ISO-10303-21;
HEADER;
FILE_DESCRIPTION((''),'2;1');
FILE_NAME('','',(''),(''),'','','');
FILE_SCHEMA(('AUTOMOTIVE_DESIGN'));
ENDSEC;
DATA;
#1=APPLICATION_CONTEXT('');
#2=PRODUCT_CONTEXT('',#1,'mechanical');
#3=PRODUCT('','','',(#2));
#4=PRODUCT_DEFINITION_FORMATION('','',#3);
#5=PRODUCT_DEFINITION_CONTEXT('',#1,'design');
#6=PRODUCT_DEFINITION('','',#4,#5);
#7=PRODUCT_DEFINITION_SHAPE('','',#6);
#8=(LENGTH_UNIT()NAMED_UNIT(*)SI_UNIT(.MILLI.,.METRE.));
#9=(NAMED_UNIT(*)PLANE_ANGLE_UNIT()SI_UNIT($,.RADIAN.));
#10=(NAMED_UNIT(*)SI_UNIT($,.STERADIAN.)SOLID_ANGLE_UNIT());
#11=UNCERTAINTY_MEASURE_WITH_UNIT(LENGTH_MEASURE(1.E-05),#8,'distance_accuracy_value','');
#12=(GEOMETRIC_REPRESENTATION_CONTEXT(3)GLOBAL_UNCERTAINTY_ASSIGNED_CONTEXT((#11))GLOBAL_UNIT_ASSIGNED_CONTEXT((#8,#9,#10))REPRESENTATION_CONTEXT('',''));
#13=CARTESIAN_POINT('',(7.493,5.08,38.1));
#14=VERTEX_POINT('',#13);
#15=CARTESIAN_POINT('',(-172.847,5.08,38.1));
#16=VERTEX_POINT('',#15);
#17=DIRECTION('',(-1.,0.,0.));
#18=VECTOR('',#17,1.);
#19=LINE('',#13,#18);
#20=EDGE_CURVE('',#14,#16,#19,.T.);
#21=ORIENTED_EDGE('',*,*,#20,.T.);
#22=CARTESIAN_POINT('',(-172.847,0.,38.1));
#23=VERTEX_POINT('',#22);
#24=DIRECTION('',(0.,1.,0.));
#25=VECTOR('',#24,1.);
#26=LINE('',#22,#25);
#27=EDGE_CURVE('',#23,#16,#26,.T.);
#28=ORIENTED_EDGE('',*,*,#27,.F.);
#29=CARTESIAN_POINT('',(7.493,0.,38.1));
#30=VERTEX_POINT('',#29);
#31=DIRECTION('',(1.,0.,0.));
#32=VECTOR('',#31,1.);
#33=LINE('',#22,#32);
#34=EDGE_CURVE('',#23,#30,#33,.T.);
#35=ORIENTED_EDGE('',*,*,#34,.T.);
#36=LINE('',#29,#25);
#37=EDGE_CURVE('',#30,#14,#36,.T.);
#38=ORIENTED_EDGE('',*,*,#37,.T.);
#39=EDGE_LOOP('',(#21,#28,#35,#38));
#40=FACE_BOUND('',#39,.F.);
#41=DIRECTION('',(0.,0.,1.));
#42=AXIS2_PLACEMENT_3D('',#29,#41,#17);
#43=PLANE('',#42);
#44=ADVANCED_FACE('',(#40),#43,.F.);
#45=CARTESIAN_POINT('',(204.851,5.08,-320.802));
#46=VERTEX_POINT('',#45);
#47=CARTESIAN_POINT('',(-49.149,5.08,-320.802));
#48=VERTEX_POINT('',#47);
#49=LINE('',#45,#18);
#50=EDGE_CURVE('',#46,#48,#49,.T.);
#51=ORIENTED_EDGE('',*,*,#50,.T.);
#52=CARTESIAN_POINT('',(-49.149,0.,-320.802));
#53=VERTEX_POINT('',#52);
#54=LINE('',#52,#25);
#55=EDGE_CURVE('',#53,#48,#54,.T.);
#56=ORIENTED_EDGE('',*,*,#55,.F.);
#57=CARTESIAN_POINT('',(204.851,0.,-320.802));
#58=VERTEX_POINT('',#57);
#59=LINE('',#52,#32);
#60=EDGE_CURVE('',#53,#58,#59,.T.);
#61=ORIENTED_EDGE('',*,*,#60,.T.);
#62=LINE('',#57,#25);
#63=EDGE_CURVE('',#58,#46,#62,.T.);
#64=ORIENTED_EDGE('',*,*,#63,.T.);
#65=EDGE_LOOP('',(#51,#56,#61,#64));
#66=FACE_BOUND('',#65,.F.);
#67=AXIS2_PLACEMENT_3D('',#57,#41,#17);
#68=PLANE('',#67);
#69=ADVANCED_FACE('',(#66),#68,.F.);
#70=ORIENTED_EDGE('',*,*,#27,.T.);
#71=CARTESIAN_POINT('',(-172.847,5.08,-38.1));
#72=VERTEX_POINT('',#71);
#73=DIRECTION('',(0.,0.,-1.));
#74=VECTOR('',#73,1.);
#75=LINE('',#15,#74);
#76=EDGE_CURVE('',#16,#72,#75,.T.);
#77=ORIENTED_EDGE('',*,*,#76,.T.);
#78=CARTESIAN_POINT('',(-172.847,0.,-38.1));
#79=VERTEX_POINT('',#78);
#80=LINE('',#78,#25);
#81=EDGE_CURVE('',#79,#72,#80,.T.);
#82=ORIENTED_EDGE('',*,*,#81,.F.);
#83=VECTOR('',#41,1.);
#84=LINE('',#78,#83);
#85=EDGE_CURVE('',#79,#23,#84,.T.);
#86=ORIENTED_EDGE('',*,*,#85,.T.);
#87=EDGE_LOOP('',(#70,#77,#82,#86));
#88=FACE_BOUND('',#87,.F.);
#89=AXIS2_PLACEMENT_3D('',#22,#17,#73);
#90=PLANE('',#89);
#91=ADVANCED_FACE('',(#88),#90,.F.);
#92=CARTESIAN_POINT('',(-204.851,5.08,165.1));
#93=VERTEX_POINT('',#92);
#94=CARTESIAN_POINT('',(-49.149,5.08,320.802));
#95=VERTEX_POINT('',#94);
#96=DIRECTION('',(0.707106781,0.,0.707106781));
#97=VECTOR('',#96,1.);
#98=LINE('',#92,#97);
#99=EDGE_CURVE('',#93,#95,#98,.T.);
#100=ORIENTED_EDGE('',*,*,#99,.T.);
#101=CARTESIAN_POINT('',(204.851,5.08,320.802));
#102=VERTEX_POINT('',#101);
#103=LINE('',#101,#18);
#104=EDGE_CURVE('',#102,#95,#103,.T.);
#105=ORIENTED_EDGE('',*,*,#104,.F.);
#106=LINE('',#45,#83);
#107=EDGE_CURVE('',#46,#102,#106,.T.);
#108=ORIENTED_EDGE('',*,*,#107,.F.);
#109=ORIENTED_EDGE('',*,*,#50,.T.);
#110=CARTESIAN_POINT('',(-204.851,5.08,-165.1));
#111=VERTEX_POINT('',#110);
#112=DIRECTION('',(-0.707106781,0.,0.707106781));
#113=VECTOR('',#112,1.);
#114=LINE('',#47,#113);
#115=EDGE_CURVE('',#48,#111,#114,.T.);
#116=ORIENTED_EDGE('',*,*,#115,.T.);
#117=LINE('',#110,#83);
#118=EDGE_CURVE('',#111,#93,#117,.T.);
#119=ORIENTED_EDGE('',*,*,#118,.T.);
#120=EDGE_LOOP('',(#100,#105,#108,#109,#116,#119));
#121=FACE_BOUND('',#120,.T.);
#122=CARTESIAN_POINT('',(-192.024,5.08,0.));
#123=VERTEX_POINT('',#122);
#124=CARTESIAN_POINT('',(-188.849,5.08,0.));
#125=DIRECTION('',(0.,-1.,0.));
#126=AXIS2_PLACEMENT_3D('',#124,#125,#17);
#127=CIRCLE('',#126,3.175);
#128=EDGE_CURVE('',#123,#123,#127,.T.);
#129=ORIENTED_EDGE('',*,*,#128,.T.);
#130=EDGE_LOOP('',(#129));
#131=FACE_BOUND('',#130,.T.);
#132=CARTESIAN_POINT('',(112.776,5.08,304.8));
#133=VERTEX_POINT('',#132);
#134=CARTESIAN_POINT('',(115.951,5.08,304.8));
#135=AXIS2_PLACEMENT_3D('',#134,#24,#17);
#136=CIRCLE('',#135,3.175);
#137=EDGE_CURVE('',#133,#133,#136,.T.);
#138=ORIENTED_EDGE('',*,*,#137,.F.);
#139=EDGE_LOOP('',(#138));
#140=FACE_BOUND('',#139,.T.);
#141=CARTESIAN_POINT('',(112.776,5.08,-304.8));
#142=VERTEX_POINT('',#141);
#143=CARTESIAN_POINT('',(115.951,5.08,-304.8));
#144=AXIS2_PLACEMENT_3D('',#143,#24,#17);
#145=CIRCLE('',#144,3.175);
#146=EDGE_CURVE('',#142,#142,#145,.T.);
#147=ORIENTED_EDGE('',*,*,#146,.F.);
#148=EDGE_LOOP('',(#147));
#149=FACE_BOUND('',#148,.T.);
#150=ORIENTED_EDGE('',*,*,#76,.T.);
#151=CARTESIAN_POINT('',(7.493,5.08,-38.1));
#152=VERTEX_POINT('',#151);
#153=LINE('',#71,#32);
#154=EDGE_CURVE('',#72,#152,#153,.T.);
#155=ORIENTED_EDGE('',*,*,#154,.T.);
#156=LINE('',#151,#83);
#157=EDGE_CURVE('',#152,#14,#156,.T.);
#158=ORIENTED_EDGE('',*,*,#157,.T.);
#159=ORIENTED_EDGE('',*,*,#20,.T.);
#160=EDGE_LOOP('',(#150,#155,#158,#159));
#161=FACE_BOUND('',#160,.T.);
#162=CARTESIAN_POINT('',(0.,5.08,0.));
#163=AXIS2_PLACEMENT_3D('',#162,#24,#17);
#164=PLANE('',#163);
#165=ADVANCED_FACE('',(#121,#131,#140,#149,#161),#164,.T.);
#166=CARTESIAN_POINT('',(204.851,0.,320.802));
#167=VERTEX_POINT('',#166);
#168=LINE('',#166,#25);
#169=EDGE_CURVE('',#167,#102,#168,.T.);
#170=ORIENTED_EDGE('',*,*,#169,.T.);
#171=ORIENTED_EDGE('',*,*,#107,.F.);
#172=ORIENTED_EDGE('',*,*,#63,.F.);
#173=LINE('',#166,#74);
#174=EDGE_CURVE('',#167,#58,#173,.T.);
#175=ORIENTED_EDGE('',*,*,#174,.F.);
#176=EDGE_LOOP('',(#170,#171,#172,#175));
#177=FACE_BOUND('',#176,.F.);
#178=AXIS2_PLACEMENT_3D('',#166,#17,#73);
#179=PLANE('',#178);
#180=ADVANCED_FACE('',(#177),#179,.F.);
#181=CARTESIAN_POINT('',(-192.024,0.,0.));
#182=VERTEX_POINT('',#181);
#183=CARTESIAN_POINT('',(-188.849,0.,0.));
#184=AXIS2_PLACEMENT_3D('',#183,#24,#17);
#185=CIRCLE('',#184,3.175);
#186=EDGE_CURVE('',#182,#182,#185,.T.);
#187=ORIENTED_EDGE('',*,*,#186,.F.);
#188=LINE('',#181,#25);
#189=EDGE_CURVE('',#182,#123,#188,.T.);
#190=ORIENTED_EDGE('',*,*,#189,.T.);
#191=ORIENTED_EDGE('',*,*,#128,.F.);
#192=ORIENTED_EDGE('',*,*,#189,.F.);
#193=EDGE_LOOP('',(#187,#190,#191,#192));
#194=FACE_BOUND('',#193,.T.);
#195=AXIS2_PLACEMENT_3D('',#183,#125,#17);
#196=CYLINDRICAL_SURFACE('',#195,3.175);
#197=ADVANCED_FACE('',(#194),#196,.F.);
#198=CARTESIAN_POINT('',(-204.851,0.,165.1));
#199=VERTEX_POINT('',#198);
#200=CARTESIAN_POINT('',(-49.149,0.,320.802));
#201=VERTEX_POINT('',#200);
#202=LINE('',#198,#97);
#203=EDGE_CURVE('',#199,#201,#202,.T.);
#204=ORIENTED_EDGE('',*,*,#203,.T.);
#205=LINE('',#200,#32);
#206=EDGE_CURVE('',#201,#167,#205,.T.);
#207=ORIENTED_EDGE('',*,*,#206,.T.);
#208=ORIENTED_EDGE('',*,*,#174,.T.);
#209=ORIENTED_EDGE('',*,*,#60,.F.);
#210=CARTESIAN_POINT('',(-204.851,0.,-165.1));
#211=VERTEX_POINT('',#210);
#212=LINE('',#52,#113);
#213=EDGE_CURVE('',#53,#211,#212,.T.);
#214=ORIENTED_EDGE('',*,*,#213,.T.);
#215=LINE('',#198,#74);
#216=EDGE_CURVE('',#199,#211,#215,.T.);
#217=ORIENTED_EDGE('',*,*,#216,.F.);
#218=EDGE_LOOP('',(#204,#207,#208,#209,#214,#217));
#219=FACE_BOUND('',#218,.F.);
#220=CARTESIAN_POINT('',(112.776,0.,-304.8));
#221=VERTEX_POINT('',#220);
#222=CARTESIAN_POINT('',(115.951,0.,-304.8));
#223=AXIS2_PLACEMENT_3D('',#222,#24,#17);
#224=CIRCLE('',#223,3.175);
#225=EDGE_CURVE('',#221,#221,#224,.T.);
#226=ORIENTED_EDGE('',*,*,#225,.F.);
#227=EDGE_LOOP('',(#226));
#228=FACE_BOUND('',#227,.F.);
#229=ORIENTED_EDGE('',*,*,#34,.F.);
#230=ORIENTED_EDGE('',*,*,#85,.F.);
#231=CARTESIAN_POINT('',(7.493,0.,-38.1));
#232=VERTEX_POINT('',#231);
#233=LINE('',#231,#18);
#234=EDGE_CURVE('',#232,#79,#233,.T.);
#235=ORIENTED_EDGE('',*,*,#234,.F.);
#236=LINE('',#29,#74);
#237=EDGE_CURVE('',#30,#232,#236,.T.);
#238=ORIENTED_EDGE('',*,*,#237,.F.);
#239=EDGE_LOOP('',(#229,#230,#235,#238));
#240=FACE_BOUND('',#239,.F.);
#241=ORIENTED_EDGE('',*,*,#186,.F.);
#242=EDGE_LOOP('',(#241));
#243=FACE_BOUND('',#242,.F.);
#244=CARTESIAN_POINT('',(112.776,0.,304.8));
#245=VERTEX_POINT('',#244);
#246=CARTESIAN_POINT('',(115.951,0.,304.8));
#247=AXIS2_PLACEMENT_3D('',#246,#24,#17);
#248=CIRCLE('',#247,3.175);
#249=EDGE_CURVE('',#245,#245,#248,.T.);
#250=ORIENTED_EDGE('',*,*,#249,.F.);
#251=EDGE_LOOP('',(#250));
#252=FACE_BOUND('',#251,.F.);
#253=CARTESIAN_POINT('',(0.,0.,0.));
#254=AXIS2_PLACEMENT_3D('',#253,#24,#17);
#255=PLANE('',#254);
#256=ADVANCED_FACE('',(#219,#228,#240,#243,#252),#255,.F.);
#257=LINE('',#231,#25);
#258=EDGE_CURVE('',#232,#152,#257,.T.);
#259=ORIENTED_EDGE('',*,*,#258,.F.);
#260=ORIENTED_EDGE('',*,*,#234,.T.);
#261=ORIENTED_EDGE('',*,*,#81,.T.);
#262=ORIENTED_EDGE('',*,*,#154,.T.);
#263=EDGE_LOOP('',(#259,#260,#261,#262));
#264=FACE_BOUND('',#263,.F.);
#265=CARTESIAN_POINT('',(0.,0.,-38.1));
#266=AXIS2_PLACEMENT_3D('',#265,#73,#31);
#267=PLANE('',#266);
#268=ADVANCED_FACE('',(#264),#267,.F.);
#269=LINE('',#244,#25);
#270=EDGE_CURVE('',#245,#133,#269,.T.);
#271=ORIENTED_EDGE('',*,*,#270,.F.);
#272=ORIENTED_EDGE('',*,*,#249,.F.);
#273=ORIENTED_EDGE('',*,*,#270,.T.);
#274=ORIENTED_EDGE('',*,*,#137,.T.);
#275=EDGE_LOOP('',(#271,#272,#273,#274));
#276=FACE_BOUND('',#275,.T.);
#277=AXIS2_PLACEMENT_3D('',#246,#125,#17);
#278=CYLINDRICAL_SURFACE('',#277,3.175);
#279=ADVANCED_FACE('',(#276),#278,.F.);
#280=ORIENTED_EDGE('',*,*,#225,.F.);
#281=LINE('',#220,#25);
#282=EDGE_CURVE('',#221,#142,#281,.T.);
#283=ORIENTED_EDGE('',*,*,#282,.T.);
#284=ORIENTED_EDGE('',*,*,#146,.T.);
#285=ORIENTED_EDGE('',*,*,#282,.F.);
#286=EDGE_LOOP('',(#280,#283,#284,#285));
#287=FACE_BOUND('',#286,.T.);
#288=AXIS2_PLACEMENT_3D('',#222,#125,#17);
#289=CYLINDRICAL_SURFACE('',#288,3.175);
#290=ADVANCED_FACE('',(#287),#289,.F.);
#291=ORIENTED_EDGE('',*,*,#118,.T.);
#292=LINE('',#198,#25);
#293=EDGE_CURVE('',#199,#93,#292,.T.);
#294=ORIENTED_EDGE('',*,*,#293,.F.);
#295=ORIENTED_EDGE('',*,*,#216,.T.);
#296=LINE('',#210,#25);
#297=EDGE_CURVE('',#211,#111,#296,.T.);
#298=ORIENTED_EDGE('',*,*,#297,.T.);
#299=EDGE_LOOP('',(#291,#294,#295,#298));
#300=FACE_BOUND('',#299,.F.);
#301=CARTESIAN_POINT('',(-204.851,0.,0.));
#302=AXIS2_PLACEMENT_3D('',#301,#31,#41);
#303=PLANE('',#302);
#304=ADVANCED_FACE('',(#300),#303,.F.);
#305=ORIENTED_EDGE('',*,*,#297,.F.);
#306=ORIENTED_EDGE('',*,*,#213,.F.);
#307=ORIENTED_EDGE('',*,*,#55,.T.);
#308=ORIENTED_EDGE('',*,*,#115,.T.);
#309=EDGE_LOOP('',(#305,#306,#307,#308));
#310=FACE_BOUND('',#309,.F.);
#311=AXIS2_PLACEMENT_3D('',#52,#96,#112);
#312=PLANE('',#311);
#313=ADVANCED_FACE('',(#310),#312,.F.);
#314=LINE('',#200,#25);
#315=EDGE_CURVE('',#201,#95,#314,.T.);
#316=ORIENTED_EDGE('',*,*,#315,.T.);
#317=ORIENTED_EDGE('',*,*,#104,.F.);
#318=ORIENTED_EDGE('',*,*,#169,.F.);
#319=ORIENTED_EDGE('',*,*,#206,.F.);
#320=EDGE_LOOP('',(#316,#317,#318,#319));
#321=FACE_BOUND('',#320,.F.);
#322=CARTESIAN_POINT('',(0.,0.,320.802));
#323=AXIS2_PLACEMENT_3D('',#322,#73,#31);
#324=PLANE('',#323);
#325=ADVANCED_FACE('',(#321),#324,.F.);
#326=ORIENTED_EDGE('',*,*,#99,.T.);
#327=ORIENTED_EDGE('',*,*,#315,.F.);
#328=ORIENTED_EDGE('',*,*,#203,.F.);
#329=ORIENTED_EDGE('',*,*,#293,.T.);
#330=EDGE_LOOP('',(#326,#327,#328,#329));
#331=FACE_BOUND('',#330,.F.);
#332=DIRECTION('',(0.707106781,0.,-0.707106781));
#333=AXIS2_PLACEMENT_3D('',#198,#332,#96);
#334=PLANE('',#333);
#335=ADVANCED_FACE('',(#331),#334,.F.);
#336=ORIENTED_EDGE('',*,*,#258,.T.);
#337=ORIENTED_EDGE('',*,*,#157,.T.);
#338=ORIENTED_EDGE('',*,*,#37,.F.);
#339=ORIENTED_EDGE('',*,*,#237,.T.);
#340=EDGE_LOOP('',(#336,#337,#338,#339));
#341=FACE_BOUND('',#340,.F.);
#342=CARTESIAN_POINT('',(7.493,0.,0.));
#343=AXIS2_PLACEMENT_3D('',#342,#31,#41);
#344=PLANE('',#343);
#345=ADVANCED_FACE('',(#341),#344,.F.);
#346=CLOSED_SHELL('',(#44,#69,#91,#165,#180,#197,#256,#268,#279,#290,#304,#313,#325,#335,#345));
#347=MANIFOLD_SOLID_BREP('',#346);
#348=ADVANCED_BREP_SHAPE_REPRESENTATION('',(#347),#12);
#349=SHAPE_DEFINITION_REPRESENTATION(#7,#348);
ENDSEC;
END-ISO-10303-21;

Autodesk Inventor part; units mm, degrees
ref_plane "YZ Plane" through (0, 0, 0) normal (1, 0, 0) x (0, 1, 0)
ref_plane "XZ Plane" through (0, 0, 0) normal (0, 1, 0) x (-1, 0, 0)
ref_plane "XY Plane" through (0, 0, 0) normal (0, 0, 1) x (1, 0, 0)
sketch "Sketch7" plane through (0, 0, 0) normal (0, 1, 0) x (-1, 0, 0)
  line L0 (-204.851, 320.802) -> (-204.851, -320.802)
  line L1 (-204.851, -320.802) -> (49.149, -320.802)
  line L2 (204.851, -165.1) -> (204.851, 165.1)
  line L3 (49.149, 320.802) -> (-204.851, 320.802)
  line L4 (-286.7914, 0) -> (286.7914, 0) projected
  line L5 (0, -449.1228) -> (0, 449.1228) projected
  line L6 (172.847, -38.1) -> (-7.493, -38.1)
  line L7 (-7.493, -38.1) -> (-7.493, 38.1)
  line L8 (-7.493, 38.1) -> (172.847, 38.1)
  line L9 (172.847, 38.1) -> (172.847, -38.1)
  circle A0 centre (188.849, 0) radius 3.175
  circle A1 centre (-115.951, 304.8) radius 3.175
  circle A2 centre (-115.951, -304.8) radius 3.175
  line L10 (-27.051, -320.802) -> (-27.051, 320.802) construction
  line L11 (204.851, -70.0665) -> (-27.051, -70.0665) construction
  line L12 (204.851, 0) -> (143.8291, 0) construction
  line L13 (49.149, -320.802) -> (204.851, -165.1)
  line L14 (204.851, 165.1) -> (49.149, 320.802)
  point P0 (0, 0)
  dimension "d22" = 76.2
  dimension "d23" = 180.34
  dimension "d24" = 32.004
  dimension "d25" = 6.35
  dimension "d26" = 16.002
  dimension "d27" = 16.002
  dimension "d28" = 165.1
  dimension "d29" = 641.604
  dimension "d31" = 330.2
  dimension "d32" = 254
  dimension "d36" = 45
  dimension "d37" = 220.1959
  dimension "d38" = 231.902
extrude "Extrusion5" add sketch "Sketch7" along normal blind 5.08 contours L3 L5 L8 L7 L4 L0 | L4 L7 L6 L5 L1 L0 | L3 L14 L2 L4 A0 L9 L8 L5 | L5 L6 L9 L4 A0 L2 L13 L1
equation "\"d28\" = 0.5 * SideLength"
equation "\"d31\" = SideLength"
equation "\"SideLength\" = 330.2"
properties part number "eLECTORNICS bOARD"
